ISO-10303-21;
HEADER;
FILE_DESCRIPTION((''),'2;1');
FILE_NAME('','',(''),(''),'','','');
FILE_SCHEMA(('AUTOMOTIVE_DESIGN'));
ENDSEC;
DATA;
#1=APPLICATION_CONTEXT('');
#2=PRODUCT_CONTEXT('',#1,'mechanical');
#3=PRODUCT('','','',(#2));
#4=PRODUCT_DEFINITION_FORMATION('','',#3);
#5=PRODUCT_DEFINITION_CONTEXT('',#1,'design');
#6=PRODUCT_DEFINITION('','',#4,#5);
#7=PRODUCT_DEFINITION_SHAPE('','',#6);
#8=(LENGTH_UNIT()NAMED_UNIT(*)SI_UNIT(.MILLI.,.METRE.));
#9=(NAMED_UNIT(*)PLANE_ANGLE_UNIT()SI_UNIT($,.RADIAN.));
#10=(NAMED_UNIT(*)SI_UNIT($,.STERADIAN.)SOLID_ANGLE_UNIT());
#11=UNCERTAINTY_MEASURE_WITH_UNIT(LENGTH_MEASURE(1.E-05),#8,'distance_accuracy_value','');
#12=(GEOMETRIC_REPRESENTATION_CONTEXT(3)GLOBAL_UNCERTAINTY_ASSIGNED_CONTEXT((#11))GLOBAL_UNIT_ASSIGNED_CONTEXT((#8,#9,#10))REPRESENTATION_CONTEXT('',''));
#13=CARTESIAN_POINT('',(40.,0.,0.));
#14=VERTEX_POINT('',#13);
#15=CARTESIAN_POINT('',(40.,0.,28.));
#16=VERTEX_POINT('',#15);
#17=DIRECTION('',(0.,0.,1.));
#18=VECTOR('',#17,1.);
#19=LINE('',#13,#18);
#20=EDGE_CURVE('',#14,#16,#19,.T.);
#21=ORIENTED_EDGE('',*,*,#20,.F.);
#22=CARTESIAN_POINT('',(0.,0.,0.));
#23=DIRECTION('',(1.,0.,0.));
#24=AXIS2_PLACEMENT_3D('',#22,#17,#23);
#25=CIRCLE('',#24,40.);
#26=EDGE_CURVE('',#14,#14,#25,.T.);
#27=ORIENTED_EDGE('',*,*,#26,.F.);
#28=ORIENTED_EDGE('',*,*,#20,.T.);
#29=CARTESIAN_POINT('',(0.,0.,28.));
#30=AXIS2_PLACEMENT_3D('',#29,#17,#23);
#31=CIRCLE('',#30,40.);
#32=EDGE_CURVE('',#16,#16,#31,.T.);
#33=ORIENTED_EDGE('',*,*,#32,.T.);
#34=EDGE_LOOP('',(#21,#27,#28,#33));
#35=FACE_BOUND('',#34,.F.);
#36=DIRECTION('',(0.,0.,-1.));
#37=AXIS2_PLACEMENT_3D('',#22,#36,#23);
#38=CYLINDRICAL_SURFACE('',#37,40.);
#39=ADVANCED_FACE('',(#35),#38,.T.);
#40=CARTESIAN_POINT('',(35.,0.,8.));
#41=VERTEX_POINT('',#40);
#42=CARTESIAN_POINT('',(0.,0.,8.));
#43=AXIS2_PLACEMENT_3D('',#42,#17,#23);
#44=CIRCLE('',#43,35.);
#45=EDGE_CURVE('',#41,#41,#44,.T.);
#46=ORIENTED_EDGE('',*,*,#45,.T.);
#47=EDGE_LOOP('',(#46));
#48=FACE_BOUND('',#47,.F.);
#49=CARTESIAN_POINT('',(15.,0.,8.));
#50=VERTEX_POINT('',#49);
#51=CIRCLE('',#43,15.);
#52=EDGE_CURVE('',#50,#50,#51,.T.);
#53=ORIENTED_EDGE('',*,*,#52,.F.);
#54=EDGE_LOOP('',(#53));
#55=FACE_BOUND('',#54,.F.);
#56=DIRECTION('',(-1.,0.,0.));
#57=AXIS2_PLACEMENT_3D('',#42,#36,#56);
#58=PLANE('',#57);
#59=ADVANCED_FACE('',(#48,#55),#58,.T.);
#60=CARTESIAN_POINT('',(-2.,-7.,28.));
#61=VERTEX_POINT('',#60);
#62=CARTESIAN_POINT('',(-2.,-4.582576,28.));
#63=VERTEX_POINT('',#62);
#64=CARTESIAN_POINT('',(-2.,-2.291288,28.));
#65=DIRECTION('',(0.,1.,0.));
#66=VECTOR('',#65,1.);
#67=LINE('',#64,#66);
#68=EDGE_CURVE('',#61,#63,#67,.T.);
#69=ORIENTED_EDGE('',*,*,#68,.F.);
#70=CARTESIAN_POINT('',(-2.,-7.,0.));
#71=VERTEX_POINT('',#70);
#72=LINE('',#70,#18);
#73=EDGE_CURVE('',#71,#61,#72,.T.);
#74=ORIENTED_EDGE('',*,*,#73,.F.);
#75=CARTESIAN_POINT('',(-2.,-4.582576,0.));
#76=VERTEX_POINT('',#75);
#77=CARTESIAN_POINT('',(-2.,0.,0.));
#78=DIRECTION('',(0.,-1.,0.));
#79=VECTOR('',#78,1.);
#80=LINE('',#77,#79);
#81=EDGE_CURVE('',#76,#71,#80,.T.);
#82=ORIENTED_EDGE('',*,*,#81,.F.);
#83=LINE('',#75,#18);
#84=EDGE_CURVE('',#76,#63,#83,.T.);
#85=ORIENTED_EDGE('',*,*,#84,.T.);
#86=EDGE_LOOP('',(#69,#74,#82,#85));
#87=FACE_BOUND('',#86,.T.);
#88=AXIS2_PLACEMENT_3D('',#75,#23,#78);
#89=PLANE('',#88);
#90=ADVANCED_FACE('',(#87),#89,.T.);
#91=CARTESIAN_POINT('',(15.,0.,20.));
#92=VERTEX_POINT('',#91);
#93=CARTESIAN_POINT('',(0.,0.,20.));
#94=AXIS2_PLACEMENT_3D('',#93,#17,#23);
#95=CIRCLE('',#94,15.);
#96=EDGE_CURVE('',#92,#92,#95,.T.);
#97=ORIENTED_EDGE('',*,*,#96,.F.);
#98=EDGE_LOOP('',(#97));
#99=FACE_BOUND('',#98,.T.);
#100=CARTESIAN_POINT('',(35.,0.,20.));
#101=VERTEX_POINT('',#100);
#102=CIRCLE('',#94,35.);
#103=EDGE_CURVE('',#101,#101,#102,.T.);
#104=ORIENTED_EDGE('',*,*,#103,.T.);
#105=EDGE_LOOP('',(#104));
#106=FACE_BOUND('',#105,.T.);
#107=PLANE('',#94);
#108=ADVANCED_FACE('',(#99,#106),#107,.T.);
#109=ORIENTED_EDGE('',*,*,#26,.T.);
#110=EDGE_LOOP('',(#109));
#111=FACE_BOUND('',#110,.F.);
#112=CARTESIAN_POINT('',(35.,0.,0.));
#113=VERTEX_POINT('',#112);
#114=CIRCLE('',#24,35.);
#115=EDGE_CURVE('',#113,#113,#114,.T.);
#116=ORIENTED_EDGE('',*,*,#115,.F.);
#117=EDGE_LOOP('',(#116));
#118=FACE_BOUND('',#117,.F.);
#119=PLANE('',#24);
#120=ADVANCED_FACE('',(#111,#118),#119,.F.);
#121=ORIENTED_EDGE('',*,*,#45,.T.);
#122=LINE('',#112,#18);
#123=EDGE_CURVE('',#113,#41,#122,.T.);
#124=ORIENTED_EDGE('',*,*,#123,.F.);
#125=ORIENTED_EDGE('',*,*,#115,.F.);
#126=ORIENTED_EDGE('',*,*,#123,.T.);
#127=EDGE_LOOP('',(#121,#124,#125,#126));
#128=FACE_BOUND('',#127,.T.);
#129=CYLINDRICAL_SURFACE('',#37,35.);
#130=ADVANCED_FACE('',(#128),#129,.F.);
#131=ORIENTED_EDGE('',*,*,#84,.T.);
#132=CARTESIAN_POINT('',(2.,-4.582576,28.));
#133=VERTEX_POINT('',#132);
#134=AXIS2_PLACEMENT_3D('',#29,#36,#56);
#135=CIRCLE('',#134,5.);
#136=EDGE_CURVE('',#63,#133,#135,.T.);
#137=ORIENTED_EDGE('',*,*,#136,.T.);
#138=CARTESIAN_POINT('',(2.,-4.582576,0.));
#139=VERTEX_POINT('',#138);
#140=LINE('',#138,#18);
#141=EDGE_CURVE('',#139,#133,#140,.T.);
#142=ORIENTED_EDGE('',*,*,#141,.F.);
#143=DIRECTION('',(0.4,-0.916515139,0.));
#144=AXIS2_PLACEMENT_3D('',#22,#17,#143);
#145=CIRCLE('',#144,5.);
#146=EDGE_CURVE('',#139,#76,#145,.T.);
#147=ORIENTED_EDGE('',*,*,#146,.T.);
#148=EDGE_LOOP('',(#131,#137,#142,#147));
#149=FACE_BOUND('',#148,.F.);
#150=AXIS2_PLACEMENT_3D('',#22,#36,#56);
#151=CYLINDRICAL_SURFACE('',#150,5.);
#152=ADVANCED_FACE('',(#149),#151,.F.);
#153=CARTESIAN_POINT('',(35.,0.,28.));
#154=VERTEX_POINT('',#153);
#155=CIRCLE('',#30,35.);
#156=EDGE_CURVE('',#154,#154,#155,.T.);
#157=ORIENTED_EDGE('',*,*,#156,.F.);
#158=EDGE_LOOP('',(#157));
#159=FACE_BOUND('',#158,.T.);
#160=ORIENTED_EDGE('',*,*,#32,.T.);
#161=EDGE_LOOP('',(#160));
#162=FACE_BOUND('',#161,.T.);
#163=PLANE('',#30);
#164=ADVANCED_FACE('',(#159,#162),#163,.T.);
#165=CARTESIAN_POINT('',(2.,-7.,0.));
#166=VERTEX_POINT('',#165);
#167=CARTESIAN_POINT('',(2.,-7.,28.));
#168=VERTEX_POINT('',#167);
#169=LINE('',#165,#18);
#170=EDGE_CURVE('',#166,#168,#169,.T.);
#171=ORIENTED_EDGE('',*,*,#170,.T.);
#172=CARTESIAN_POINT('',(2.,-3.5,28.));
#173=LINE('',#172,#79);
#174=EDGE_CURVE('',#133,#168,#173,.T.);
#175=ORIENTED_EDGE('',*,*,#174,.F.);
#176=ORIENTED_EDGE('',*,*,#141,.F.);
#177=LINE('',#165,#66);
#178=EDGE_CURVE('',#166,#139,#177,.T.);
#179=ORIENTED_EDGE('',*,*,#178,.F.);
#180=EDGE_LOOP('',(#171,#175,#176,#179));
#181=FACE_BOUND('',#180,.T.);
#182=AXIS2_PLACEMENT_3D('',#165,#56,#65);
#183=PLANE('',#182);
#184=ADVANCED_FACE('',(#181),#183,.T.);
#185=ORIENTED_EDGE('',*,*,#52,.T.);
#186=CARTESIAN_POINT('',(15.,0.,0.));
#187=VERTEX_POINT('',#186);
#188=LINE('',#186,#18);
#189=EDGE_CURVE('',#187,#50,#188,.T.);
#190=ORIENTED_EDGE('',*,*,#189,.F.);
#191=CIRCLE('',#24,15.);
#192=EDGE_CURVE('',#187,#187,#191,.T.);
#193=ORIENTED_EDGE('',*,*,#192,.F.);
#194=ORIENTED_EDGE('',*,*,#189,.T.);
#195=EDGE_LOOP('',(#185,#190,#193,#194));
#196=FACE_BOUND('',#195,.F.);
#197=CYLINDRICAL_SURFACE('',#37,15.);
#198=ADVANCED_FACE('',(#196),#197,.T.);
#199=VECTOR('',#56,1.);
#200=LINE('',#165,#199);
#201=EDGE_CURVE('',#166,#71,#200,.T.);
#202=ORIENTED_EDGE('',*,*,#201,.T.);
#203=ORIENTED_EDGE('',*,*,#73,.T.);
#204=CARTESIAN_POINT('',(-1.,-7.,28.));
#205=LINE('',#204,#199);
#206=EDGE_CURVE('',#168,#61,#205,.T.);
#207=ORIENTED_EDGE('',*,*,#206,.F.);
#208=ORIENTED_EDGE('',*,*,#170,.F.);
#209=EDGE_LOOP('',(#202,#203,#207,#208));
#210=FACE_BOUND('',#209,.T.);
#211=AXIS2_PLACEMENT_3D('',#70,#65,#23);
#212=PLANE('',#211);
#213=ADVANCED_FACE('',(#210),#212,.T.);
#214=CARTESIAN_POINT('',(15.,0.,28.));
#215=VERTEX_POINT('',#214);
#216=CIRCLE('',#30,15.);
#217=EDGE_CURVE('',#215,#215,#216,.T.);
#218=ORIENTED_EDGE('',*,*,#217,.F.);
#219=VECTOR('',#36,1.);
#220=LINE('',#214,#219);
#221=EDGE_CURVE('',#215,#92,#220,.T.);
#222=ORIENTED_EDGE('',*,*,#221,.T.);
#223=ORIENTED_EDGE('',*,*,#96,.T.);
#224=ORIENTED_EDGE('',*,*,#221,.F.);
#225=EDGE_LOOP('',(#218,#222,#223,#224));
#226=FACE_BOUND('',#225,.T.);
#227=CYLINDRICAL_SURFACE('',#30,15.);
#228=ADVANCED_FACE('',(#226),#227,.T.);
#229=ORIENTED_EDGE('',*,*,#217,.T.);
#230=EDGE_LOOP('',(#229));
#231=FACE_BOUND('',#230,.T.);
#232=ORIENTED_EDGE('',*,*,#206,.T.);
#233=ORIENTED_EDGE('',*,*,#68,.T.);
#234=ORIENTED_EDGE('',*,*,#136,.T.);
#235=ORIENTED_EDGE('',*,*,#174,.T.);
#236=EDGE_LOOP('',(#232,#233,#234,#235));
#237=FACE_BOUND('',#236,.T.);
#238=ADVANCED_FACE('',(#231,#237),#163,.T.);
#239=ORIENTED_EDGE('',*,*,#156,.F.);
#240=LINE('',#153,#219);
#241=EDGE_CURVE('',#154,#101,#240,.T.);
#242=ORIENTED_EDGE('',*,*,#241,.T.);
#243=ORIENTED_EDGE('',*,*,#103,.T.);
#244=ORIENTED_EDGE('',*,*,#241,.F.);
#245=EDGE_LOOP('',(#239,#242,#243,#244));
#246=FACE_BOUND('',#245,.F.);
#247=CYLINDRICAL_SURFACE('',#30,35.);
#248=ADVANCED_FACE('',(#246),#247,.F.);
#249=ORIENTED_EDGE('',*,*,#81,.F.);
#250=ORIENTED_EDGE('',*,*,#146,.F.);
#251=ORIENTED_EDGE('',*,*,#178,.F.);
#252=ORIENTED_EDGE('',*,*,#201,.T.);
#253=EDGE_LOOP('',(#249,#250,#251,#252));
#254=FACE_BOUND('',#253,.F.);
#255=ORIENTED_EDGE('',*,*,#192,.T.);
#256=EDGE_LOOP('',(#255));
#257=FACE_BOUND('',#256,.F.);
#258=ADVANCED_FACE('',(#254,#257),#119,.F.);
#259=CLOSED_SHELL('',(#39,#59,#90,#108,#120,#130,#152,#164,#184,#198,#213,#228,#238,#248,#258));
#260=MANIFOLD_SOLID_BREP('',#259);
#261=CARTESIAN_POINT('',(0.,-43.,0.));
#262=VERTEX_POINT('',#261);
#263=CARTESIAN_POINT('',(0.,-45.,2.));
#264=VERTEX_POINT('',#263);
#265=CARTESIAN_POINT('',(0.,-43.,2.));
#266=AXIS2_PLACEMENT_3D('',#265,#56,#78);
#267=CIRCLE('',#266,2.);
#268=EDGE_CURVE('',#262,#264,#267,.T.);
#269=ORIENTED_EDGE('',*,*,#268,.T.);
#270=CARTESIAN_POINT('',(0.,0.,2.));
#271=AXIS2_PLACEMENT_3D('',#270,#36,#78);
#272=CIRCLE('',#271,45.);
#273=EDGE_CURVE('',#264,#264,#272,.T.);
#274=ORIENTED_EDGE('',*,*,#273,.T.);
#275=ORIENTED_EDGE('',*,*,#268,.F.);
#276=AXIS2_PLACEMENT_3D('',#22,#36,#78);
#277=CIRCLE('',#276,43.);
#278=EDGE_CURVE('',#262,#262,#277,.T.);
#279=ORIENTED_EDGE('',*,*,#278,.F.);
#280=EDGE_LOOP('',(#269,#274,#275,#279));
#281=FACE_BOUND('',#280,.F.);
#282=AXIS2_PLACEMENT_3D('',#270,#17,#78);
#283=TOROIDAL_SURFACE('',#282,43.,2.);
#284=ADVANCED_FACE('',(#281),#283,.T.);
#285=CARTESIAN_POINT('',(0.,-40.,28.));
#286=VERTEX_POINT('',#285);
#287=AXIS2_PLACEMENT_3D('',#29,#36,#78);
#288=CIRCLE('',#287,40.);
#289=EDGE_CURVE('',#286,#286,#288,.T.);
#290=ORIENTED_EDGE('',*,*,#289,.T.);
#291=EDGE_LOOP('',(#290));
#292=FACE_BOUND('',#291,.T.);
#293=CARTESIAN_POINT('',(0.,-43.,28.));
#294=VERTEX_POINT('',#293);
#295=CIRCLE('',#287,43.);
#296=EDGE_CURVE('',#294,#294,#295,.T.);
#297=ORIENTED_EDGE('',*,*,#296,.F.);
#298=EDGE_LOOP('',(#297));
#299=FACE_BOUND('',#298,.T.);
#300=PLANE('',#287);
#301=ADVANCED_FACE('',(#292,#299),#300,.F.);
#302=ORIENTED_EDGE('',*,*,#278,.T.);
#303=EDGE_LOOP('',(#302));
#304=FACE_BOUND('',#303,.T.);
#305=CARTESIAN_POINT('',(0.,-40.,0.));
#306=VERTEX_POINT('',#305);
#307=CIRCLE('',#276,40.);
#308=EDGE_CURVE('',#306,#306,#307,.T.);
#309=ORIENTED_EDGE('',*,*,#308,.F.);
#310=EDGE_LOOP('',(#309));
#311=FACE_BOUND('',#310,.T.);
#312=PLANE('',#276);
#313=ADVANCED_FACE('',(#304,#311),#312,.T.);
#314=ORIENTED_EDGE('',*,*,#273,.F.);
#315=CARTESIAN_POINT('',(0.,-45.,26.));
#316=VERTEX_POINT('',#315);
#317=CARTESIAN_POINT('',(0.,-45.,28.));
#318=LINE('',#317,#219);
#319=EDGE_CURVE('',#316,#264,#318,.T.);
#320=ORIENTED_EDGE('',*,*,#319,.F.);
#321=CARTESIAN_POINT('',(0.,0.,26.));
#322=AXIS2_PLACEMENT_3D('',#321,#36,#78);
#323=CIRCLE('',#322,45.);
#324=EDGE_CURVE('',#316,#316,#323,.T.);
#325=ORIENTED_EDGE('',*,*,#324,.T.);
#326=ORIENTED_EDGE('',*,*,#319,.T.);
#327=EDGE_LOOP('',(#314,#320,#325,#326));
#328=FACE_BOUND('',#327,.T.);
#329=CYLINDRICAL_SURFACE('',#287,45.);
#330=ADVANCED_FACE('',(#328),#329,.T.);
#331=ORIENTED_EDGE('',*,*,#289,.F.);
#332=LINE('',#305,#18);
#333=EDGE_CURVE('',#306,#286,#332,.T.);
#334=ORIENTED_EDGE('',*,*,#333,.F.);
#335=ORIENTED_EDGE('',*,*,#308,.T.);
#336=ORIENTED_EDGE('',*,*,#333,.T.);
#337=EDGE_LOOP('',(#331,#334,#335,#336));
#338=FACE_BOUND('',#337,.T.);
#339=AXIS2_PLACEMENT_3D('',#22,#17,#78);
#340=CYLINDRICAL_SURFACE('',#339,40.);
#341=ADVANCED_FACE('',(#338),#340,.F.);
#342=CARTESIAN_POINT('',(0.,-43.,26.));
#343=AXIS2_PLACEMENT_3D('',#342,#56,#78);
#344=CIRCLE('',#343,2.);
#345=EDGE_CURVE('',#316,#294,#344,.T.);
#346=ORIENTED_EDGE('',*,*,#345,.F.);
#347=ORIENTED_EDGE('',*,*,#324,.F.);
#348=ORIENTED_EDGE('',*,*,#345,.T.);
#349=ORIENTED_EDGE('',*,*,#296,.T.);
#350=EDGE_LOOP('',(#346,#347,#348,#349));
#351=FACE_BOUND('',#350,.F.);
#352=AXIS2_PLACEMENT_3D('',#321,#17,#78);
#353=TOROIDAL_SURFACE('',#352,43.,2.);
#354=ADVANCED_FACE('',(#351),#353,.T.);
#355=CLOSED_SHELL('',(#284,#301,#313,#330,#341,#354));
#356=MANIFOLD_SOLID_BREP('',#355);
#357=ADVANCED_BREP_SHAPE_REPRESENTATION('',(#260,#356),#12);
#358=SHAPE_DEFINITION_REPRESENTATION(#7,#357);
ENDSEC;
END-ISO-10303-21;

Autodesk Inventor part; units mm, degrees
ref_plane "YZ Plane" through (0, 0, 0) normal (1, 0, 0) x (0, 1, 0)
ref_plane "XZ Plane" through (0, 0, 0) normal (0, 1, 0) x (-1, 0, 0)
sketch "Sketch1" plane through (0, 0, 0) normal (0, 0, 1) x (1, 0, 0)
  circle A0 centre (0, 0) radius 40
  dimension "d0" = 80
extrude "Extrusion1" add sketch "Sketch1" along normal blind 28
sketch "Sketch2" plane through (0, 0, 28) normal (0, 0, 1) x (1, 0, 0)
  circle A0 centre (0, 0) radius 35
  circle A1 centre (0, 0) radius 15
  dimension "d3" = 70
  dimension "d4" = 30
extrude "Extrusion2" cut sketch "Sketch2" against normal blind 8
ref_plane "Work Plane1" through (0, 0, 14) normal (0, 0, 1) x (1, 0, 0)
mirror "Mirror1" about plane through (0, 0, 14) normal (0, 0, 1) of "Extrusion2"
sketch "Sketch3" plane through (0, 0, 0) normal (0, 0, -1) x (-1, 0, 0)
  circle A0 centre (0, 0) radius 5
  line L0 (0, -5) -> (0, -7)
  line L1 (0, -7) -> (-2, -7)
  line L2 (-2, -7) -> (-2, 0)
  line L3 (-2, 0) -> (2, 0)
  line L4 (2, 0) -> (2, -7)
  line L5 (2, -7) -> (0, -7)
  point P0 (2, -4.5826)
  point P1 (-2, -4.5826)
  dimension "d7" = 10
  dimension "d8" = 2
  dimension "d9" = 2
  dimension "d10" = 4
extrude "Extrusion3" cut sketch "Sketch3" against normal blind 30
sketch "Sketch4" plane through (0, 0, 0) normal (1, 0, 0) x (0, 1, 0)
  line L0 (40, 28) -> (-40, 28) projected
  line L1 (-40, 28) -> (-45, 28)
  line L2 (-45, 28) -> (-45, 0)
  line L3 (-45, 0) -> (-40, 0)
  line L4 (-40, 0) -> (-40, 28)
  line L5 (0, 28) -> (0, 0)
  line L6 (-4.5826, 0) -> (-4.5826, 28) projected
  dimension "d13" = 5
revolve "Revolution1" add sketch "Sketch4" angle 360 about axis through (0, 0, 28) along (0, 0, -1) separate body
fillet "Fillet1" radius 2 2 edges at (0, 45, 28) (0, 45, 0)
